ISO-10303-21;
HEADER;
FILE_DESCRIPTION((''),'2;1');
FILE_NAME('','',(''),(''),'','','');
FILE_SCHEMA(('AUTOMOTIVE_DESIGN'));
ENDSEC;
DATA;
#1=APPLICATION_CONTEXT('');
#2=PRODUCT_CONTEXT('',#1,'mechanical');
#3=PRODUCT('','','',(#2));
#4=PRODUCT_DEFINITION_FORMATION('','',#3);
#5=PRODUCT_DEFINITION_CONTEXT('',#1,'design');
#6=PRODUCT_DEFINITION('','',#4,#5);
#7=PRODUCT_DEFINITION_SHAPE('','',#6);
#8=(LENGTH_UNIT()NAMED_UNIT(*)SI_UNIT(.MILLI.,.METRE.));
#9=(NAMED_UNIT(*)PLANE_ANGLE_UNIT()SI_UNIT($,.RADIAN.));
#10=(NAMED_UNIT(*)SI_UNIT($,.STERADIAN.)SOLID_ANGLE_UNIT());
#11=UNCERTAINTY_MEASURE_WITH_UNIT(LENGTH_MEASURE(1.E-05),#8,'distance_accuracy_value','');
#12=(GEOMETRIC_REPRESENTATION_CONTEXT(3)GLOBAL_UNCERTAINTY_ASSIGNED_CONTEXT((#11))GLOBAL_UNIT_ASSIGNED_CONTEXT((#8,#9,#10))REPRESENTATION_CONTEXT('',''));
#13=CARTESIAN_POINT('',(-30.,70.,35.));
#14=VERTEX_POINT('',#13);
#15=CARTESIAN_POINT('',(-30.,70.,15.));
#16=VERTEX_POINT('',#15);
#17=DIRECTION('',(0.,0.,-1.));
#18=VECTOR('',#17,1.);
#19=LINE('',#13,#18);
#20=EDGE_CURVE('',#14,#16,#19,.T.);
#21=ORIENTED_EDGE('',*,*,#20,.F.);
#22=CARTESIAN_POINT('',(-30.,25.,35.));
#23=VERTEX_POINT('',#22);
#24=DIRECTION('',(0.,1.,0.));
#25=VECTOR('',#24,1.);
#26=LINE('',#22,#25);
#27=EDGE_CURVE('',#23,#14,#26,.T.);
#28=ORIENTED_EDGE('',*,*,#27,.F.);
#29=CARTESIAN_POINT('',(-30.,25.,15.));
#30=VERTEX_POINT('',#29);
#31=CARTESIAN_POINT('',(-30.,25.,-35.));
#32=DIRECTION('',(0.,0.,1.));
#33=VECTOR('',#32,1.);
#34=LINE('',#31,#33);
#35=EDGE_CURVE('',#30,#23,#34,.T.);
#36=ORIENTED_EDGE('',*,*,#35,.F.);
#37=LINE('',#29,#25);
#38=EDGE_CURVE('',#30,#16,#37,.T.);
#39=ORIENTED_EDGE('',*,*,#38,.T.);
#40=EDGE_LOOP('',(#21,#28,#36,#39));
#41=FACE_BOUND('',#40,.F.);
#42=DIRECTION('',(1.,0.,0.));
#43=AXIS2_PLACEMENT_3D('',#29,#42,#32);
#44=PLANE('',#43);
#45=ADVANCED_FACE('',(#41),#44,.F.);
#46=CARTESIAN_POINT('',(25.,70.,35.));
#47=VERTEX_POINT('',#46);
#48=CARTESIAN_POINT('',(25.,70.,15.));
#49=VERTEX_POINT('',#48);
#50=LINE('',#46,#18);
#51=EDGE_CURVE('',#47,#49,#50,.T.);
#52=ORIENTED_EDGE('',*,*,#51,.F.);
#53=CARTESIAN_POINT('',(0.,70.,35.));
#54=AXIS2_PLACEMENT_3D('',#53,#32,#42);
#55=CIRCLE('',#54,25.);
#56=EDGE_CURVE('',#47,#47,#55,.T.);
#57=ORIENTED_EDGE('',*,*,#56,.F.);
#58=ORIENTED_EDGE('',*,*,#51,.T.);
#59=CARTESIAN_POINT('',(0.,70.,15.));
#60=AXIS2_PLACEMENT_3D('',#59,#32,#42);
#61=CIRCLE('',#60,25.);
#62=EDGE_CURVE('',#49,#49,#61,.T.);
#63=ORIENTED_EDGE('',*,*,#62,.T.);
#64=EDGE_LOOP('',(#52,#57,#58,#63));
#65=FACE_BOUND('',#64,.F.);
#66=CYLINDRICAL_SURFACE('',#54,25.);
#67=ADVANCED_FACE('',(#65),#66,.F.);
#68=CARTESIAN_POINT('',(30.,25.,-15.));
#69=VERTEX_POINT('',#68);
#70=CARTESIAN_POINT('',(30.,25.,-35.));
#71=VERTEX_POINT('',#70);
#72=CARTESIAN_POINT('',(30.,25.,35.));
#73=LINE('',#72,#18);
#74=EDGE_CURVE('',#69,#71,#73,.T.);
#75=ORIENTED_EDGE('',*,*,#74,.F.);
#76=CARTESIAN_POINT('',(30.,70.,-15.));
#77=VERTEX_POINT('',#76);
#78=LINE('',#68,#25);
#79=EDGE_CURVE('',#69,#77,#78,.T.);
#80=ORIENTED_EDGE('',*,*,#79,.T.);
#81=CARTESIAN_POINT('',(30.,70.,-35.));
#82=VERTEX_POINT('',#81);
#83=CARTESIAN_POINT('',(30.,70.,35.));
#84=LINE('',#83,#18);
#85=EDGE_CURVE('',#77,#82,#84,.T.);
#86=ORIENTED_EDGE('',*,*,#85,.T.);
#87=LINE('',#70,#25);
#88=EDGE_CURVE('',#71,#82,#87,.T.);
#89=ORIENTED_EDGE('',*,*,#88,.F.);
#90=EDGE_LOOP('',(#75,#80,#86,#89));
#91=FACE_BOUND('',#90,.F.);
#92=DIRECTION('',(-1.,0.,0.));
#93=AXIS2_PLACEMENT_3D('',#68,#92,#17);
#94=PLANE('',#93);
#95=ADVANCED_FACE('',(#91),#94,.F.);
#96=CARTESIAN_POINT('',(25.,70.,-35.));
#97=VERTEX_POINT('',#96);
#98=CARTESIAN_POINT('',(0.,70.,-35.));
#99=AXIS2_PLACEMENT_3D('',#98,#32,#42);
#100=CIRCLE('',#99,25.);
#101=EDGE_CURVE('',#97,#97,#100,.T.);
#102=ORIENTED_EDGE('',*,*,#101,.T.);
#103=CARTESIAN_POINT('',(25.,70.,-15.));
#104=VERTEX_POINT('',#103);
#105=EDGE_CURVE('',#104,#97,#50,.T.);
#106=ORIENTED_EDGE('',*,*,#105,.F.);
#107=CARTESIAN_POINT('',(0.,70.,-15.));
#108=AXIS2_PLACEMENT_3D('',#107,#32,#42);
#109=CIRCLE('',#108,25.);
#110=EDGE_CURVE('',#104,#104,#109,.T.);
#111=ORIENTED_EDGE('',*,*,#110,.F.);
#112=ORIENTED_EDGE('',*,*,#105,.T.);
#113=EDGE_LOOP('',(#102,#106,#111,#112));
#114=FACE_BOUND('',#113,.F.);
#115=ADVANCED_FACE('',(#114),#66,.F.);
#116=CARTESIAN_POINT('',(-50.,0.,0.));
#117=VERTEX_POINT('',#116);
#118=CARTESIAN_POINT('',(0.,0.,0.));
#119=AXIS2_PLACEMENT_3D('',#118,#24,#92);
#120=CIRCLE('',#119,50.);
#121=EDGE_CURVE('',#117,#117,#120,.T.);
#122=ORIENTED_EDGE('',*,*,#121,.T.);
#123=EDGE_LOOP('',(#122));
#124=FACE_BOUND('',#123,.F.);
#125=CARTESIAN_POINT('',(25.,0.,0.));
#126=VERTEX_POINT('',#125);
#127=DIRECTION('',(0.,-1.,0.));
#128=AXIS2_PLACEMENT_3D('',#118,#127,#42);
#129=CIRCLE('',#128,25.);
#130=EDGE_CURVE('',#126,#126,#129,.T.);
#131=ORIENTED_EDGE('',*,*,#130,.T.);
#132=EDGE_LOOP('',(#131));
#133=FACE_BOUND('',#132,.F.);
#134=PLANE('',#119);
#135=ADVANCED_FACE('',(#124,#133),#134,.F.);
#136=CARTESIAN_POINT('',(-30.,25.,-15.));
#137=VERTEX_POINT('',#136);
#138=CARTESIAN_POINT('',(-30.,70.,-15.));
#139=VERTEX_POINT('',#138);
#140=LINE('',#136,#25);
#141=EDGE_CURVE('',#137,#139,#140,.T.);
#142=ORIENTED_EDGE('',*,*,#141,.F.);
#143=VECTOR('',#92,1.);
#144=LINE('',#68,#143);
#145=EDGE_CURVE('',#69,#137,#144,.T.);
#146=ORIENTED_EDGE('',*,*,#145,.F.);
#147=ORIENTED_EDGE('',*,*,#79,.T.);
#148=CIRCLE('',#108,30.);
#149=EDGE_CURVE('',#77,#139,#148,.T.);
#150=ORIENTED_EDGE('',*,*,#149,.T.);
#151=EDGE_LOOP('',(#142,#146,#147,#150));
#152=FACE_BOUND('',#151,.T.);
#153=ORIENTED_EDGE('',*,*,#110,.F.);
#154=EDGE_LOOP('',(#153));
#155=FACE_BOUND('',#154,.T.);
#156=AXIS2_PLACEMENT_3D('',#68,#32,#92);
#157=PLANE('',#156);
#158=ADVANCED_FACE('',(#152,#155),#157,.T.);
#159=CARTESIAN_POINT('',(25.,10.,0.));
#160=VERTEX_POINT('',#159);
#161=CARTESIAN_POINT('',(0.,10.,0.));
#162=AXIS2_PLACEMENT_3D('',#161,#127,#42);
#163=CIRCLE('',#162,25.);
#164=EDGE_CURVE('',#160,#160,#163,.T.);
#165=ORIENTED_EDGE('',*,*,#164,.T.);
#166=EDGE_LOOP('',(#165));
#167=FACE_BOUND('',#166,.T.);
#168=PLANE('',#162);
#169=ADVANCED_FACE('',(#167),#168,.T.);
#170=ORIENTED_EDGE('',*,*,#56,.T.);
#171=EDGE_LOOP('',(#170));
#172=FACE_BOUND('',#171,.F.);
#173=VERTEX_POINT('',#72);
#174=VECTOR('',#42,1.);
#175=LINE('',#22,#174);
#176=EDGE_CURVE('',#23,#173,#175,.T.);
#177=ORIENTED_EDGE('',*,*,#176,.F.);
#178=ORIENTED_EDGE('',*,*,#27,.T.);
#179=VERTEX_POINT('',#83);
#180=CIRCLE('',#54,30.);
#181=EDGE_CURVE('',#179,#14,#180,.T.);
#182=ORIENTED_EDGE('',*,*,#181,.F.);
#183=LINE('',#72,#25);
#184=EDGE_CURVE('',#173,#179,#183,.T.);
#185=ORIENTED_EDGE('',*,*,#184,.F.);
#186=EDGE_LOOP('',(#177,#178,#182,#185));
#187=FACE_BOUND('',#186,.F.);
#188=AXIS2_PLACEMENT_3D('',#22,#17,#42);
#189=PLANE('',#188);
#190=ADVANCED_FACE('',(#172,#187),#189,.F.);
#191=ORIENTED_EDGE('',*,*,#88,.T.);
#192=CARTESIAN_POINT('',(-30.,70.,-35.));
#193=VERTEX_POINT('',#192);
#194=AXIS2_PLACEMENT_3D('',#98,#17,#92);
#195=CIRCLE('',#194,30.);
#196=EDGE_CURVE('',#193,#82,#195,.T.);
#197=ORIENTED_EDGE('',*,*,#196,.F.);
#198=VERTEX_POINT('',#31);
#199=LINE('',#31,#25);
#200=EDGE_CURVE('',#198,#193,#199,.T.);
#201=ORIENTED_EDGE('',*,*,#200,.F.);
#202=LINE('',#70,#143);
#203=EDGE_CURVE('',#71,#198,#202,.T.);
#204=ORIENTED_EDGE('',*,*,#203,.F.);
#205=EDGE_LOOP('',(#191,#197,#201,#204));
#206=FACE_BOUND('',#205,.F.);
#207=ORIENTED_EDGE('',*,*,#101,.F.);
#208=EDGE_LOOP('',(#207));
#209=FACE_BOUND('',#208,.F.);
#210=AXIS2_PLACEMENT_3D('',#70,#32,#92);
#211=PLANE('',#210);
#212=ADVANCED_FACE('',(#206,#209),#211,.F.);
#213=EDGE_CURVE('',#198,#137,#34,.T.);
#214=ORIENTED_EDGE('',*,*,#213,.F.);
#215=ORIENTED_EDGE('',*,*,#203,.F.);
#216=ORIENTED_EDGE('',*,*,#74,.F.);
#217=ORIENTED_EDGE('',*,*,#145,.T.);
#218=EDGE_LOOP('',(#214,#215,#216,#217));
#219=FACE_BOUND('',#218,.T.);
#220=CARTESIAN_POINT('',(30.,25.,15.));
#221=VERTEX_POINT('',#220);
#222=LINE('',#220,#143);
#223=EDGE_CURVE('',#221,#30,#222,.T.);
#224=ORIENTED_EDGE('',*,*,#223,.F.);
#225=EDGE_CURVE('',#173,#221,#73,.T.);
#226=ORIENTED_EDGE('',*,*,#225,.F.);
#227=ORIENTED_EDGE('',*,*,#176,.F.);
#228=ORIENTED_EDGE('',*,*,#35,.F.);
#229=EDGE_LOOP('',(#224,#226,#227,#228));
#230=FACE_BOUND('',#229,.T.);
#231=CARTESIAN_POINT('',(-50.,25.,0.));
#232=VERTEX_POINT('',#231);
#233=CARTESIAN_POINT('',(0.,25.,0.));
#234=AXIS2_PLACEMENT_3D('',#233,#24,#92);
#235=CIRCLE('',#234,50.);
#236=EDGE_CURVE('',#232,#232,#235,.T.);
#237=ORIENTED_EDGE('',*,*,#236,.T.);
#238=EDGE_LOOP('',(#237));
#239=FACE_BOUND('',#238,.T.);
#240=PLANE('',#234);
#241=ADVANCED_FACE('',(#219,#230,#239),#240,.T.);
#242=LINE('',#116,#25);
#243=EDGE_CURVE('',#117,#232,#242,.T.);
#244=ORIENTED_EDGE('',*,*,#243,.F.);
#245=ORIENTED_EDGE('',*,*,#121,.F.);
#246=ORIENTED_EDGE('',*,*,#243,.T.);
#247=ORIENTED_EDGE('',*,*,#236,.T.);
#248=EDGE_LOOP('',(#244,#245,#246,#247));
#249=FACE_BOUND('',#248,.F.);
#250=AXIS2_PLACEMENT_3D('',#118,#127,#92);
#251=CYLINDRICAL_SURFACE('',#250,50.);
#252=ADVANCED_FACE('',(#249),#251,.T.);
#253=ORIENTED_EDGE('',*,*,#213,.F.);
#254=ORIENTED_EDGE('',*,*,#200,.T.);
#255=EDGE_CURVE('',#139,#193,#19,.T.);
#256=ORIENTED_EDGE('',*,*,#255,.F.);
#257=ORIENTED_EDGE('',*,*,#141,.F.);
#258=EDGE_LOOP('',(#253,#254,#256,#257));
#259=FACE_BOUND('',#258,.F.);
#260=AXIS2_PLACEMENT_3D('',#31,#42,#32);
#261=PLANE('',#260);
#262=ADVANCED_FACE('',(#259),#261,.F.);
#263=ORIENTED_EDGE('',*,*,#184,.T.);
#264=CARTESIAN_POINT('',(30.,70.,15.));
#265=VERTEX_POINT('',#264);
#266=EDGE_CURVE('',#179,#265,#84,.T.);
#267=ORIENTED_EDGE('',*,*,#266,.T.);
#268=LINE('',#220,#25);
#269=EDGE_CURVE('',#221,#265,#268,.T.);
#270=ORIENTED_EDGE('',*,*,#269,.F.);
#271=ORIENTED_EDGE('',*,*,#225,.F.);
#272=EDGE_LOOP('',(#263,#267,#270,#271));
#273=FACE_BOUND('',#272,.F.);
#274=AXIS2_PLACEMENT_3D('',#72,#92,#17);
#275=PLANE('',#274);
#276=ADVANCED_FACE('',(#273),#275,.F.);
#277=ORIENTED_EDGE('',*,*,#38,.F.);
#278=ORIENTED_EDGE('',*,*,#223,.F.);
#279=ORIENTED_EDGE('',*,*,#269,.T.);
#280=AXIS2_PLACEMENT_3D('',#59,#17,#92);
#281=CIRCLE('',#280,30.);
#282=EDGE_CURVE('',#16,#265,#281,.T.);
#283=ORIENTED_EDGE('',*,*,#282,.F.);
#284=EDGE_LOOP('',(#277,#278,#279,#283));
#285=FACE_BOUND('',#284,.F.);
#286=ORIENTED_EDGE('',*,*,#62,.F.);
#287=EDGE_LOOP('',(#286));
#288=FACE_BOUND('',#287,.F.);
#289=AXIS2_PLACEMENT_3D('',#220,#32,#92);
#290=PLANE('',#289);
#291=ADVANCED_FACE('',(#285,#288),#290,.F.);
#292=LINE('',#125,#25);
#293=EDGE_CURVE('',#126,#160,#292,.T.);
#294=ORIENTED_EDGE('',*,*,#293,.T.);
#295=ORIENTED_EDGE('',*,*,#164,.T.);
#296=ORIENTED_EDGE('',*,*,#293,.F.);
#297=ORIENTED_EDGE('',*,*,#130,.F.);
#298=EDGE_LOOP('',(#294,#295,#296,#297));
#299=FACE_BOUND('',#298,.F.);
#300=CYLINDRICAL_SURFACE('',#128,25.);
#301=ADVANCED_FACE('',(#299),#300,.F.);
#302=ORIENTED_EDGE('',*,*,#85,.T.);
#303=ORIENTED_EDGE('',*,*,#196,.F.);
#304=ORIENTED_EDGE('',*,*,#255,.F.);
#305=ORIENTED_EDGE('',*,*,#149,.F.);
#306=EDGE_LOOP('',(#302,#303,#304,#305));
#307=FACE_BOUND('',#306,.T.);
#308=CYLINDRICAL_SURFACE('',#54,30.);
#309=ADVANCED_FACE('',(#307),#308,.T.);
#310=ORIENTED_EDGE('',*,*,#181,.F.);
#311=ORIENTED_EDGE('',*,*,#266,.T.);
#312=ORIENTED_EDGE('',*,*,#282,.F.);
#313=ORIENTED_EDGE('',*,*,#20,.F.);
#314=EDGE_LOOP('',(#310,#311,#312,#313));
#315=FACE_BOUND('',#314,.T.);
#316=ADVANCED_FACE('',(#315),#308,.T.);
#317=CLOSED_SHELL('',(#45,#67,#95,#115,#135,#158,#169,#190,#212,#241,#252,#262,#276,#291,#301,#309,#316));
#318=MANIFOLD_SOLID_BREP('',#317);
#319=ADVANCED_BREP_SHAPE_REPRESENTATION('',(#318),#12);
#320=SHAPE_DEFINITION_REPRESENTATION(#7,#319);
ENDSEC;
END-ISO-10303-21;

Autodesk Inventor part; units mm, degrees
ref_plane "YZ Plane" through (0, 0, 0) normal (1, 0, 0) x (0, 1, 0)
ref_plane "XZ Plane" through (0, 0, 0) normal (0, 1, 0) x (-1, 0, 0)
ref_plane "XY Plane" through (0, 0, 0) normal (0, 0, 1) x (1, 0, 0)
sketch "Sketch1" plane through (0, 0, 0) normal (0, 1, 0) x (-1, 0, 0)
  circle A0 centre (0, 0) radius 50
  dimension "d0" = 100
extrude "Extrusion1" add sketch "Sketch1" along normal blind 25
sketch "Sketch2" plane through (0, 0, 0) normal (0, -1, 0) x (1, 0, 0)
  circle A0 centre (0, 0) radius 25
  dimension "d3" = 50
extrude "Extrusion2" cut sketch "Sketch2" against normal blind 10
sketch "Sketch3" plane through (0, 25, 0) normal (0, 1, 0) x (1, 0, 0)
  line L0 (-30, -35) -> (30, -35)
  line L1 (30, -35) -> (30, 35)
  line L2 (30, 35) -> (-30, 35)
  line L3 (-30, 35) -> (-30, -35)
  line L4 (-30, -35) -> (30, 35) construction
  line L5 (30, -35) -> (-30, 35) construction
  line L6 (-30, -35) -> (30, -35)
  line L7 (30, -35) -> (30, -15)
  line L8 (30, -15) -> (-30, -15)
  line L9 (-30, -15) -> (-30, -35)
  line L10 (-30, 35) -> (30, 35)
  line L11 (30, 35) -> (30, 15)
  line L12 (30, 15) -> (-30, 15)
  line L13 (-30, 15) -> (-30, 35)
  point P0 (0, 0)
  dimension "d6" = 60
  dimension "d7" = 70
  dimension "d8" = 20
  dimension "d9" = 20
extrude "Extrusion3" add sketch "Sketch3" along normal blind 75 contours L3 L8 L1 L0 | L3 L2 L1 L12
sketch "Sketch4" plane through (-30, 25, 35) normal (0, 0, 1) x (1, 0, 0)
  line L0 (60, 0) -> (60, 75) projected
  circle A0 centre (30, 45) radius 30
  line L1 (0, 75) -> (60, 75) projected
  line L2 (60, 0) -> (60, 75) projected
  circle A1 centre (30, 45) radius 25
  line L3 (0, 45) -> (0, 75)
  line L4 (60, 75) -> (60, 45)
  point P0 (30, -25)
  point P1 (30, 75)
  dimension "d12" = 60
  dimension "d13" = 50
extrude "Extrusion4" cut sketch "Sketch4" against normal blind 100 contours A0 L1 L0 | L3 L1 A0 | A1
properties part number "JOINT BASE2"
